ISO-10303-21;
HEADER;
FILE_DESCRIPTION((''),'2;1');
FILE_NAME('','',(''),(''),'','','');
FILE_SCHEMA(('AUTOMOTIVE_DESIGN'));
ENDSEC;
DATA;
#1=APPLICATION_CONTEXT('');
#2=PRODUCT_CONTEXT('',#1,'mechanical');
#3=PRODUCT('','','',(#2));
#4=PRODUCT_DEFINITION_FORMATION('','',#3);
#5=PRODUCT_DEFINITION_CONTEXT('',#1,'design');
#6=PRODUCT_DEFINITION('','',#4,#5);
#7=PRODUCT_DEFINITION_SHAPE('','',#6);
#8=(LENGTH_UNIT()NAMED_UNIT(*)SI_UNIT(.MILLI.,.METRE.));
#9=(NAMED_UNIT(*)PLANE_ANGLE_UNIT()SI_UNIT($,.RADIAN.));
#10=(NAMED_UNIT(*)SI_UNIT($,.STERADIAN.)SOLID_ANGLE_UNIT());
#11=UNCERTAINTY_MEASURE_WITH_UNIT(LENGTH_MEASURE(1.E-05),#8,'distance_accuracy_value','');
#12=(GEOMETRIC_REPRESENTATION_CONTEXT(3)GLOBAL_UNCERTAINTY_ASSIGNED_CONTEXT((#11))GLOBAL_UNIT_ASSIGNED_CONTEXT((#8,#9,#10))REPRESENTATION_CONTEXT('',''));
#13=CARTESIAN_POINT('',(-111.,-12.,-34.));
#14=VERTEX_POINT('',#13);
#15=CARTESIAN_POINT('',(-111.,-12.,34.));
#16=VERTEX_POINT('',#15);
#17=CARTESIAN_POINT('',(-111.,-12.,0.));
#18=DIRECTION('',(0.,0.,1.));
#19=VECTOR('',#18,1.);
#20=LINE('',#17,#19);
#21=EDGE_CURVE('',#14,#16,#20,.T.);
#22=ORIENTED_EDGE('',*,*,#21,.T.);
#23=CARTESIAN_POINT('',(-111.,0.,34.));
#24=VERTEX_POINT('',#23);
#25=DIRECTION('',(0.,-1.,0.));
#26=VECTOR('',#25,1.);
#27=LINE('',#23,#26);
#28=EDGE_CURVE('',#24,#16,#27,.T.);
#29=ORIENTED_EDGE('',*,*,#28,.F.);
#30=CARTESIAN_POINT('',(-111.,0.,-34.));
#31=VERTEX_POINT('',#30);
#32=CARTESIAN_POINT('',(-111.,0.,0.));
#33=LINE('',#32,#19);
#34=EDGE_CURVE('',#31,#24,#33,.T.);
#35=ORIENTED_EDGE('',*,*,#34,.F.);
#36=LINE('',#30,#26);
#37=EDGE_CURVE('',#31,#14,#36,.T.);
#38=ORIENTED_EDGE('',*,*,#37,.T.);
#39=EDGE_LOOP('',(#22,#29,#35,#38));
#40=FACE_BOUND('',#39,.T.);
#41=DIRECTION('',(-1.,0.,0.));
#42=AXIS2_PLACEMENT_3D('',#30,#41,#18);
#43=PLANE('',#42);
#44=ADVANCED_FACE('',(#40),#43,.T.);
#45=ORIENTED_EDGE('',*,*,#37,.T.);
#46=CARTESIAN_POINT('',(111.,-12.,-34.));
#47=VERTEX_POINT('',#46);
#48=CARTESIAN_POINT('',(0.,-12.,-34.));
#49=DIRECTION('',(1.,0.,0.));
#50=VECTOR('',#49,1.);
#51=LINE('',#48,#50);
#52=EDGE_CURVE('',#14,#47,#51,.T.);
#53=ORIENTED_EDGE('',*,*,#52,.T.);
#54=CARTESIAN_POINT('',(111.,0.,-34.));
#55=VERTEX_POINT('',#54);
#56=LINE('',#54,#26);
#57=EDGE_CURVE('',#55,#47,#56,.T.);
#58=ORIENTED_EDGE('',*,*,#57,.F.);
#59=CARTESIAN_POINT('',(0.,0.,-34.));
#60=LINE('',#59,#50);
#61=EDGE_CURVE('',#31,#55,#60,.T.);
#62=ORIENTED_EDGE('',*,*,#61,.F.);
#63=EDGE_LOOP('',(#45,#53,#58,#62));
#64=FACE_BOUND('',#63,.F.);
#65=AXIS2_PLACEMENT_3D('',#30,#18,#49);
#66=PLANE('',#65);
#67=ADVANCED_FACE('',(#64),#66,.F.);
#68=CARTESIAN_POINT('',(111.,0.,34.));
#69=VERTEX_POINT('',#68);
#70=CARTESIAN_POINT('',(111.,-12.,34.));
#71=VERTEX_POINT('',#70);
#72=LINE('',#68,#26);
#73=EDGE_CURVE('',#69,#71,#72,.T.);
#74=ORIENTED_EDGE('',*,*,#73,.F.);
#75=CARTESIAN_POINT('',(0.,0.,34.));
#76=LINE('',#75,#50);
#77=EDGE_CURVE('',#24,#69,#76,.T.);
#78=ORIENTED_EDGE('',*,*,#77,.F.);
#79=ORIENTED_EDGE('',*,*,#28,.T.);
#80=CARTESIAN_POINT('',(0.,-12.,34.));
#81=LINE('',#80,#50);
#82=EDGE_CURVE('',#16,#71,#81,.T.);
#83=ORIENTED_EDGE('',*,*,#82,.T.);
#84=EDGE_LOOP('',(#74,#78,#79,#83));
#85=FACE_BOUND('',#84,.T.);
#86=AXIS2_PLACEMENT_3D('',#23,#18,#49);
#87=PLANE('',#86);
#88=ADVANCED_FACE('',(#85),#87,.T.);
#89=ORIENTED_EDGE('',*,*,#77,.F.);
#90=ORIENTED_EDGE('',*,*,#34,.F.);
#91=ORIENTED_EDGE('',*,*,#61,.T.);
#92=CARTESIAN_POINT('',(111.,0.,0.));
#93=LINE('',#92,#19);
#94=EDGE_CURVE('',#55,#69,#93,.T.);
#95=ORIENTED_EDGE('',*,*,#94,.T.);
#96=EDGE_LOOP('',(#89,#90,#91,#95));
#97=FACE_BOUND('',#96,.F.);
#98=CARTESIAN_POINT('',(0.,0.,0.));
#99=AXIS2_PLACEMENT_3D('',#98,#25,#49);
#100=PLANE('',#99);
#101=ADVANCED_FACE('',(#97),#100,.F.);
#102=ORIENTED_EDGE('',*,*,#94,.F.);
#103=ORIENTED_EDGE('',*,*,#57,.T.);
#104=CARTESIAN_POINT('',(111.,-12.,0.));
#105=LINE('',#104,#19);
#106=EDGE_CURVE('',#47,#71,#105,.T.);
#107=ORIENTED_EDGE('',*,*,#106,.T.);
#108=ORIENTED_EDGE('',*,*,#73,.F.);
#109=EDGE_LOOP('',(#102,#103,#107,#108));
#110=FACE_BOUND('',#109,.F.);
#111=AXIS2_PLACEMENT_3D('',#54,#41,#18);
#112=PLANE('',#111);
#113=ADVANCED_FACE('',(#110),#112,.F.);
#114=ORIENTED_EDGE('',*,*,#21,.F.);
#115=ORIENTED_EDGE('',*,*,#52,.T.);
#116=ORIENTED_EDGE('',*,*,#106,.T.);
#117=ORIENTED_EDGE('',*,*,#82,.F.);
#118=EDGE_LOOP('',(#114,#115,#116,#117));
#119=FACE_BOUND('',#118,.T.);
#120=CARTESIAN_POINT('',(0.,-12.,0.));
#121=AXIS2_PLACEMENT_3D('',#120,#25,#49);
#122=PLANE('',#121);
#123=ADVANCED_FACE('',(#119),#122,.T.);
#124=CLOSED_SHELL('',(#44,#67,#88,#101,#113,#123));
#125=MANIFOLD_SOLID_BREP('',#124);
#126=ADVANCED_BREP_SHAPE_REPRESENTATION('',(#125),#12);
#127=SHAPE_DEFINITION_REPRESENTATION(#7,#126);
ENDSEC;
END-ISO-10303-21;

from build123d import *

# Parameters (mm, degrees)
F0_W      = 222
F0_H      = 68
F1_DEPTH  = 12
F2_W      = 3
F2_H      = 2.2371114204
F3_DEPTH  = 2230
F5_W      = 222
F5_H      = 68
F6_DEPTH  = 12
F7_W      = 3
F7_H      = 6.3245725577
F8_DEPTH  = 25.4
F9_W      = 3
F9_H      = 3
F10_DEPTH = 300
F11_W     = 3
F11_H     = 6.3245725577
F12_DEPTH = 12
F15_W     = 222
F15_H     = 68
F16_DEPTH = 12


with BuildPart() as f1:
    # F0 (on Right) → F1 (new body)
    with BuildSketch(Plane.YZ):
        Rectangle(F0_W, F0_H)
    extrude(amount=F1_DEPTH)

    # F2 (on face) → F3 (cut)
    with BuildSketch(Plane.XZ.offset(111)):
        with Locations((1.5, 22.7592512513)):
            Rectangle(F2_W, F2_H)
    extrude(amount=-F3_DEPTH, mode=Mode.SUBTRACT)


with BuildPart() as f6:
    # F5 (on Right) → F6 (new body)
    with BuildSketch(Plane.YZ):
        Rectangle(F5_W, F5_H)
    extrude(amount=F6_DEPTH)

    # F7 (on face) → F8 (cut)
    with BuildSketch(Plane(origin=(0, 0, 0), x_dir=(0, -1, 0), z_dir=(-1, 0, 0))):
        with Locations((-99.5, 30.8377137212)):
            Rectangle(F7_W, F7_H)
    extrude(amount=-F8_DEPTH, mode=Mode.SUBTRACT)

    # F9 (on face) → F10 (cut)
    with BuildSketch(Plane.XZ.offset(111)):
        with Locations((10.5, 22.5)):
            Rectangle(F9_W, F9_H)
    extrude(amount=-F10_DEPTH, mode=Mode.SUBTRACT)


with BuildPart() as f12:
    # F11 (on face) → F12 (new body)
    with BuildSketch(Plane.YZ.offset(12)):
        with Locations((99.5, 30.8377137212)):
            Rectangle(F11_W, F11_H)
    extrude(amount=-F12_DEPTH)


with BuildPart() as f16:
    # F15 (on Front) → F16 (new body)
    with BuildSketch(Plane.XZ):
        Rectangle(F15_W, F15_H)
    extrude(amount=F16_DEPTH)


solid = f16.part
